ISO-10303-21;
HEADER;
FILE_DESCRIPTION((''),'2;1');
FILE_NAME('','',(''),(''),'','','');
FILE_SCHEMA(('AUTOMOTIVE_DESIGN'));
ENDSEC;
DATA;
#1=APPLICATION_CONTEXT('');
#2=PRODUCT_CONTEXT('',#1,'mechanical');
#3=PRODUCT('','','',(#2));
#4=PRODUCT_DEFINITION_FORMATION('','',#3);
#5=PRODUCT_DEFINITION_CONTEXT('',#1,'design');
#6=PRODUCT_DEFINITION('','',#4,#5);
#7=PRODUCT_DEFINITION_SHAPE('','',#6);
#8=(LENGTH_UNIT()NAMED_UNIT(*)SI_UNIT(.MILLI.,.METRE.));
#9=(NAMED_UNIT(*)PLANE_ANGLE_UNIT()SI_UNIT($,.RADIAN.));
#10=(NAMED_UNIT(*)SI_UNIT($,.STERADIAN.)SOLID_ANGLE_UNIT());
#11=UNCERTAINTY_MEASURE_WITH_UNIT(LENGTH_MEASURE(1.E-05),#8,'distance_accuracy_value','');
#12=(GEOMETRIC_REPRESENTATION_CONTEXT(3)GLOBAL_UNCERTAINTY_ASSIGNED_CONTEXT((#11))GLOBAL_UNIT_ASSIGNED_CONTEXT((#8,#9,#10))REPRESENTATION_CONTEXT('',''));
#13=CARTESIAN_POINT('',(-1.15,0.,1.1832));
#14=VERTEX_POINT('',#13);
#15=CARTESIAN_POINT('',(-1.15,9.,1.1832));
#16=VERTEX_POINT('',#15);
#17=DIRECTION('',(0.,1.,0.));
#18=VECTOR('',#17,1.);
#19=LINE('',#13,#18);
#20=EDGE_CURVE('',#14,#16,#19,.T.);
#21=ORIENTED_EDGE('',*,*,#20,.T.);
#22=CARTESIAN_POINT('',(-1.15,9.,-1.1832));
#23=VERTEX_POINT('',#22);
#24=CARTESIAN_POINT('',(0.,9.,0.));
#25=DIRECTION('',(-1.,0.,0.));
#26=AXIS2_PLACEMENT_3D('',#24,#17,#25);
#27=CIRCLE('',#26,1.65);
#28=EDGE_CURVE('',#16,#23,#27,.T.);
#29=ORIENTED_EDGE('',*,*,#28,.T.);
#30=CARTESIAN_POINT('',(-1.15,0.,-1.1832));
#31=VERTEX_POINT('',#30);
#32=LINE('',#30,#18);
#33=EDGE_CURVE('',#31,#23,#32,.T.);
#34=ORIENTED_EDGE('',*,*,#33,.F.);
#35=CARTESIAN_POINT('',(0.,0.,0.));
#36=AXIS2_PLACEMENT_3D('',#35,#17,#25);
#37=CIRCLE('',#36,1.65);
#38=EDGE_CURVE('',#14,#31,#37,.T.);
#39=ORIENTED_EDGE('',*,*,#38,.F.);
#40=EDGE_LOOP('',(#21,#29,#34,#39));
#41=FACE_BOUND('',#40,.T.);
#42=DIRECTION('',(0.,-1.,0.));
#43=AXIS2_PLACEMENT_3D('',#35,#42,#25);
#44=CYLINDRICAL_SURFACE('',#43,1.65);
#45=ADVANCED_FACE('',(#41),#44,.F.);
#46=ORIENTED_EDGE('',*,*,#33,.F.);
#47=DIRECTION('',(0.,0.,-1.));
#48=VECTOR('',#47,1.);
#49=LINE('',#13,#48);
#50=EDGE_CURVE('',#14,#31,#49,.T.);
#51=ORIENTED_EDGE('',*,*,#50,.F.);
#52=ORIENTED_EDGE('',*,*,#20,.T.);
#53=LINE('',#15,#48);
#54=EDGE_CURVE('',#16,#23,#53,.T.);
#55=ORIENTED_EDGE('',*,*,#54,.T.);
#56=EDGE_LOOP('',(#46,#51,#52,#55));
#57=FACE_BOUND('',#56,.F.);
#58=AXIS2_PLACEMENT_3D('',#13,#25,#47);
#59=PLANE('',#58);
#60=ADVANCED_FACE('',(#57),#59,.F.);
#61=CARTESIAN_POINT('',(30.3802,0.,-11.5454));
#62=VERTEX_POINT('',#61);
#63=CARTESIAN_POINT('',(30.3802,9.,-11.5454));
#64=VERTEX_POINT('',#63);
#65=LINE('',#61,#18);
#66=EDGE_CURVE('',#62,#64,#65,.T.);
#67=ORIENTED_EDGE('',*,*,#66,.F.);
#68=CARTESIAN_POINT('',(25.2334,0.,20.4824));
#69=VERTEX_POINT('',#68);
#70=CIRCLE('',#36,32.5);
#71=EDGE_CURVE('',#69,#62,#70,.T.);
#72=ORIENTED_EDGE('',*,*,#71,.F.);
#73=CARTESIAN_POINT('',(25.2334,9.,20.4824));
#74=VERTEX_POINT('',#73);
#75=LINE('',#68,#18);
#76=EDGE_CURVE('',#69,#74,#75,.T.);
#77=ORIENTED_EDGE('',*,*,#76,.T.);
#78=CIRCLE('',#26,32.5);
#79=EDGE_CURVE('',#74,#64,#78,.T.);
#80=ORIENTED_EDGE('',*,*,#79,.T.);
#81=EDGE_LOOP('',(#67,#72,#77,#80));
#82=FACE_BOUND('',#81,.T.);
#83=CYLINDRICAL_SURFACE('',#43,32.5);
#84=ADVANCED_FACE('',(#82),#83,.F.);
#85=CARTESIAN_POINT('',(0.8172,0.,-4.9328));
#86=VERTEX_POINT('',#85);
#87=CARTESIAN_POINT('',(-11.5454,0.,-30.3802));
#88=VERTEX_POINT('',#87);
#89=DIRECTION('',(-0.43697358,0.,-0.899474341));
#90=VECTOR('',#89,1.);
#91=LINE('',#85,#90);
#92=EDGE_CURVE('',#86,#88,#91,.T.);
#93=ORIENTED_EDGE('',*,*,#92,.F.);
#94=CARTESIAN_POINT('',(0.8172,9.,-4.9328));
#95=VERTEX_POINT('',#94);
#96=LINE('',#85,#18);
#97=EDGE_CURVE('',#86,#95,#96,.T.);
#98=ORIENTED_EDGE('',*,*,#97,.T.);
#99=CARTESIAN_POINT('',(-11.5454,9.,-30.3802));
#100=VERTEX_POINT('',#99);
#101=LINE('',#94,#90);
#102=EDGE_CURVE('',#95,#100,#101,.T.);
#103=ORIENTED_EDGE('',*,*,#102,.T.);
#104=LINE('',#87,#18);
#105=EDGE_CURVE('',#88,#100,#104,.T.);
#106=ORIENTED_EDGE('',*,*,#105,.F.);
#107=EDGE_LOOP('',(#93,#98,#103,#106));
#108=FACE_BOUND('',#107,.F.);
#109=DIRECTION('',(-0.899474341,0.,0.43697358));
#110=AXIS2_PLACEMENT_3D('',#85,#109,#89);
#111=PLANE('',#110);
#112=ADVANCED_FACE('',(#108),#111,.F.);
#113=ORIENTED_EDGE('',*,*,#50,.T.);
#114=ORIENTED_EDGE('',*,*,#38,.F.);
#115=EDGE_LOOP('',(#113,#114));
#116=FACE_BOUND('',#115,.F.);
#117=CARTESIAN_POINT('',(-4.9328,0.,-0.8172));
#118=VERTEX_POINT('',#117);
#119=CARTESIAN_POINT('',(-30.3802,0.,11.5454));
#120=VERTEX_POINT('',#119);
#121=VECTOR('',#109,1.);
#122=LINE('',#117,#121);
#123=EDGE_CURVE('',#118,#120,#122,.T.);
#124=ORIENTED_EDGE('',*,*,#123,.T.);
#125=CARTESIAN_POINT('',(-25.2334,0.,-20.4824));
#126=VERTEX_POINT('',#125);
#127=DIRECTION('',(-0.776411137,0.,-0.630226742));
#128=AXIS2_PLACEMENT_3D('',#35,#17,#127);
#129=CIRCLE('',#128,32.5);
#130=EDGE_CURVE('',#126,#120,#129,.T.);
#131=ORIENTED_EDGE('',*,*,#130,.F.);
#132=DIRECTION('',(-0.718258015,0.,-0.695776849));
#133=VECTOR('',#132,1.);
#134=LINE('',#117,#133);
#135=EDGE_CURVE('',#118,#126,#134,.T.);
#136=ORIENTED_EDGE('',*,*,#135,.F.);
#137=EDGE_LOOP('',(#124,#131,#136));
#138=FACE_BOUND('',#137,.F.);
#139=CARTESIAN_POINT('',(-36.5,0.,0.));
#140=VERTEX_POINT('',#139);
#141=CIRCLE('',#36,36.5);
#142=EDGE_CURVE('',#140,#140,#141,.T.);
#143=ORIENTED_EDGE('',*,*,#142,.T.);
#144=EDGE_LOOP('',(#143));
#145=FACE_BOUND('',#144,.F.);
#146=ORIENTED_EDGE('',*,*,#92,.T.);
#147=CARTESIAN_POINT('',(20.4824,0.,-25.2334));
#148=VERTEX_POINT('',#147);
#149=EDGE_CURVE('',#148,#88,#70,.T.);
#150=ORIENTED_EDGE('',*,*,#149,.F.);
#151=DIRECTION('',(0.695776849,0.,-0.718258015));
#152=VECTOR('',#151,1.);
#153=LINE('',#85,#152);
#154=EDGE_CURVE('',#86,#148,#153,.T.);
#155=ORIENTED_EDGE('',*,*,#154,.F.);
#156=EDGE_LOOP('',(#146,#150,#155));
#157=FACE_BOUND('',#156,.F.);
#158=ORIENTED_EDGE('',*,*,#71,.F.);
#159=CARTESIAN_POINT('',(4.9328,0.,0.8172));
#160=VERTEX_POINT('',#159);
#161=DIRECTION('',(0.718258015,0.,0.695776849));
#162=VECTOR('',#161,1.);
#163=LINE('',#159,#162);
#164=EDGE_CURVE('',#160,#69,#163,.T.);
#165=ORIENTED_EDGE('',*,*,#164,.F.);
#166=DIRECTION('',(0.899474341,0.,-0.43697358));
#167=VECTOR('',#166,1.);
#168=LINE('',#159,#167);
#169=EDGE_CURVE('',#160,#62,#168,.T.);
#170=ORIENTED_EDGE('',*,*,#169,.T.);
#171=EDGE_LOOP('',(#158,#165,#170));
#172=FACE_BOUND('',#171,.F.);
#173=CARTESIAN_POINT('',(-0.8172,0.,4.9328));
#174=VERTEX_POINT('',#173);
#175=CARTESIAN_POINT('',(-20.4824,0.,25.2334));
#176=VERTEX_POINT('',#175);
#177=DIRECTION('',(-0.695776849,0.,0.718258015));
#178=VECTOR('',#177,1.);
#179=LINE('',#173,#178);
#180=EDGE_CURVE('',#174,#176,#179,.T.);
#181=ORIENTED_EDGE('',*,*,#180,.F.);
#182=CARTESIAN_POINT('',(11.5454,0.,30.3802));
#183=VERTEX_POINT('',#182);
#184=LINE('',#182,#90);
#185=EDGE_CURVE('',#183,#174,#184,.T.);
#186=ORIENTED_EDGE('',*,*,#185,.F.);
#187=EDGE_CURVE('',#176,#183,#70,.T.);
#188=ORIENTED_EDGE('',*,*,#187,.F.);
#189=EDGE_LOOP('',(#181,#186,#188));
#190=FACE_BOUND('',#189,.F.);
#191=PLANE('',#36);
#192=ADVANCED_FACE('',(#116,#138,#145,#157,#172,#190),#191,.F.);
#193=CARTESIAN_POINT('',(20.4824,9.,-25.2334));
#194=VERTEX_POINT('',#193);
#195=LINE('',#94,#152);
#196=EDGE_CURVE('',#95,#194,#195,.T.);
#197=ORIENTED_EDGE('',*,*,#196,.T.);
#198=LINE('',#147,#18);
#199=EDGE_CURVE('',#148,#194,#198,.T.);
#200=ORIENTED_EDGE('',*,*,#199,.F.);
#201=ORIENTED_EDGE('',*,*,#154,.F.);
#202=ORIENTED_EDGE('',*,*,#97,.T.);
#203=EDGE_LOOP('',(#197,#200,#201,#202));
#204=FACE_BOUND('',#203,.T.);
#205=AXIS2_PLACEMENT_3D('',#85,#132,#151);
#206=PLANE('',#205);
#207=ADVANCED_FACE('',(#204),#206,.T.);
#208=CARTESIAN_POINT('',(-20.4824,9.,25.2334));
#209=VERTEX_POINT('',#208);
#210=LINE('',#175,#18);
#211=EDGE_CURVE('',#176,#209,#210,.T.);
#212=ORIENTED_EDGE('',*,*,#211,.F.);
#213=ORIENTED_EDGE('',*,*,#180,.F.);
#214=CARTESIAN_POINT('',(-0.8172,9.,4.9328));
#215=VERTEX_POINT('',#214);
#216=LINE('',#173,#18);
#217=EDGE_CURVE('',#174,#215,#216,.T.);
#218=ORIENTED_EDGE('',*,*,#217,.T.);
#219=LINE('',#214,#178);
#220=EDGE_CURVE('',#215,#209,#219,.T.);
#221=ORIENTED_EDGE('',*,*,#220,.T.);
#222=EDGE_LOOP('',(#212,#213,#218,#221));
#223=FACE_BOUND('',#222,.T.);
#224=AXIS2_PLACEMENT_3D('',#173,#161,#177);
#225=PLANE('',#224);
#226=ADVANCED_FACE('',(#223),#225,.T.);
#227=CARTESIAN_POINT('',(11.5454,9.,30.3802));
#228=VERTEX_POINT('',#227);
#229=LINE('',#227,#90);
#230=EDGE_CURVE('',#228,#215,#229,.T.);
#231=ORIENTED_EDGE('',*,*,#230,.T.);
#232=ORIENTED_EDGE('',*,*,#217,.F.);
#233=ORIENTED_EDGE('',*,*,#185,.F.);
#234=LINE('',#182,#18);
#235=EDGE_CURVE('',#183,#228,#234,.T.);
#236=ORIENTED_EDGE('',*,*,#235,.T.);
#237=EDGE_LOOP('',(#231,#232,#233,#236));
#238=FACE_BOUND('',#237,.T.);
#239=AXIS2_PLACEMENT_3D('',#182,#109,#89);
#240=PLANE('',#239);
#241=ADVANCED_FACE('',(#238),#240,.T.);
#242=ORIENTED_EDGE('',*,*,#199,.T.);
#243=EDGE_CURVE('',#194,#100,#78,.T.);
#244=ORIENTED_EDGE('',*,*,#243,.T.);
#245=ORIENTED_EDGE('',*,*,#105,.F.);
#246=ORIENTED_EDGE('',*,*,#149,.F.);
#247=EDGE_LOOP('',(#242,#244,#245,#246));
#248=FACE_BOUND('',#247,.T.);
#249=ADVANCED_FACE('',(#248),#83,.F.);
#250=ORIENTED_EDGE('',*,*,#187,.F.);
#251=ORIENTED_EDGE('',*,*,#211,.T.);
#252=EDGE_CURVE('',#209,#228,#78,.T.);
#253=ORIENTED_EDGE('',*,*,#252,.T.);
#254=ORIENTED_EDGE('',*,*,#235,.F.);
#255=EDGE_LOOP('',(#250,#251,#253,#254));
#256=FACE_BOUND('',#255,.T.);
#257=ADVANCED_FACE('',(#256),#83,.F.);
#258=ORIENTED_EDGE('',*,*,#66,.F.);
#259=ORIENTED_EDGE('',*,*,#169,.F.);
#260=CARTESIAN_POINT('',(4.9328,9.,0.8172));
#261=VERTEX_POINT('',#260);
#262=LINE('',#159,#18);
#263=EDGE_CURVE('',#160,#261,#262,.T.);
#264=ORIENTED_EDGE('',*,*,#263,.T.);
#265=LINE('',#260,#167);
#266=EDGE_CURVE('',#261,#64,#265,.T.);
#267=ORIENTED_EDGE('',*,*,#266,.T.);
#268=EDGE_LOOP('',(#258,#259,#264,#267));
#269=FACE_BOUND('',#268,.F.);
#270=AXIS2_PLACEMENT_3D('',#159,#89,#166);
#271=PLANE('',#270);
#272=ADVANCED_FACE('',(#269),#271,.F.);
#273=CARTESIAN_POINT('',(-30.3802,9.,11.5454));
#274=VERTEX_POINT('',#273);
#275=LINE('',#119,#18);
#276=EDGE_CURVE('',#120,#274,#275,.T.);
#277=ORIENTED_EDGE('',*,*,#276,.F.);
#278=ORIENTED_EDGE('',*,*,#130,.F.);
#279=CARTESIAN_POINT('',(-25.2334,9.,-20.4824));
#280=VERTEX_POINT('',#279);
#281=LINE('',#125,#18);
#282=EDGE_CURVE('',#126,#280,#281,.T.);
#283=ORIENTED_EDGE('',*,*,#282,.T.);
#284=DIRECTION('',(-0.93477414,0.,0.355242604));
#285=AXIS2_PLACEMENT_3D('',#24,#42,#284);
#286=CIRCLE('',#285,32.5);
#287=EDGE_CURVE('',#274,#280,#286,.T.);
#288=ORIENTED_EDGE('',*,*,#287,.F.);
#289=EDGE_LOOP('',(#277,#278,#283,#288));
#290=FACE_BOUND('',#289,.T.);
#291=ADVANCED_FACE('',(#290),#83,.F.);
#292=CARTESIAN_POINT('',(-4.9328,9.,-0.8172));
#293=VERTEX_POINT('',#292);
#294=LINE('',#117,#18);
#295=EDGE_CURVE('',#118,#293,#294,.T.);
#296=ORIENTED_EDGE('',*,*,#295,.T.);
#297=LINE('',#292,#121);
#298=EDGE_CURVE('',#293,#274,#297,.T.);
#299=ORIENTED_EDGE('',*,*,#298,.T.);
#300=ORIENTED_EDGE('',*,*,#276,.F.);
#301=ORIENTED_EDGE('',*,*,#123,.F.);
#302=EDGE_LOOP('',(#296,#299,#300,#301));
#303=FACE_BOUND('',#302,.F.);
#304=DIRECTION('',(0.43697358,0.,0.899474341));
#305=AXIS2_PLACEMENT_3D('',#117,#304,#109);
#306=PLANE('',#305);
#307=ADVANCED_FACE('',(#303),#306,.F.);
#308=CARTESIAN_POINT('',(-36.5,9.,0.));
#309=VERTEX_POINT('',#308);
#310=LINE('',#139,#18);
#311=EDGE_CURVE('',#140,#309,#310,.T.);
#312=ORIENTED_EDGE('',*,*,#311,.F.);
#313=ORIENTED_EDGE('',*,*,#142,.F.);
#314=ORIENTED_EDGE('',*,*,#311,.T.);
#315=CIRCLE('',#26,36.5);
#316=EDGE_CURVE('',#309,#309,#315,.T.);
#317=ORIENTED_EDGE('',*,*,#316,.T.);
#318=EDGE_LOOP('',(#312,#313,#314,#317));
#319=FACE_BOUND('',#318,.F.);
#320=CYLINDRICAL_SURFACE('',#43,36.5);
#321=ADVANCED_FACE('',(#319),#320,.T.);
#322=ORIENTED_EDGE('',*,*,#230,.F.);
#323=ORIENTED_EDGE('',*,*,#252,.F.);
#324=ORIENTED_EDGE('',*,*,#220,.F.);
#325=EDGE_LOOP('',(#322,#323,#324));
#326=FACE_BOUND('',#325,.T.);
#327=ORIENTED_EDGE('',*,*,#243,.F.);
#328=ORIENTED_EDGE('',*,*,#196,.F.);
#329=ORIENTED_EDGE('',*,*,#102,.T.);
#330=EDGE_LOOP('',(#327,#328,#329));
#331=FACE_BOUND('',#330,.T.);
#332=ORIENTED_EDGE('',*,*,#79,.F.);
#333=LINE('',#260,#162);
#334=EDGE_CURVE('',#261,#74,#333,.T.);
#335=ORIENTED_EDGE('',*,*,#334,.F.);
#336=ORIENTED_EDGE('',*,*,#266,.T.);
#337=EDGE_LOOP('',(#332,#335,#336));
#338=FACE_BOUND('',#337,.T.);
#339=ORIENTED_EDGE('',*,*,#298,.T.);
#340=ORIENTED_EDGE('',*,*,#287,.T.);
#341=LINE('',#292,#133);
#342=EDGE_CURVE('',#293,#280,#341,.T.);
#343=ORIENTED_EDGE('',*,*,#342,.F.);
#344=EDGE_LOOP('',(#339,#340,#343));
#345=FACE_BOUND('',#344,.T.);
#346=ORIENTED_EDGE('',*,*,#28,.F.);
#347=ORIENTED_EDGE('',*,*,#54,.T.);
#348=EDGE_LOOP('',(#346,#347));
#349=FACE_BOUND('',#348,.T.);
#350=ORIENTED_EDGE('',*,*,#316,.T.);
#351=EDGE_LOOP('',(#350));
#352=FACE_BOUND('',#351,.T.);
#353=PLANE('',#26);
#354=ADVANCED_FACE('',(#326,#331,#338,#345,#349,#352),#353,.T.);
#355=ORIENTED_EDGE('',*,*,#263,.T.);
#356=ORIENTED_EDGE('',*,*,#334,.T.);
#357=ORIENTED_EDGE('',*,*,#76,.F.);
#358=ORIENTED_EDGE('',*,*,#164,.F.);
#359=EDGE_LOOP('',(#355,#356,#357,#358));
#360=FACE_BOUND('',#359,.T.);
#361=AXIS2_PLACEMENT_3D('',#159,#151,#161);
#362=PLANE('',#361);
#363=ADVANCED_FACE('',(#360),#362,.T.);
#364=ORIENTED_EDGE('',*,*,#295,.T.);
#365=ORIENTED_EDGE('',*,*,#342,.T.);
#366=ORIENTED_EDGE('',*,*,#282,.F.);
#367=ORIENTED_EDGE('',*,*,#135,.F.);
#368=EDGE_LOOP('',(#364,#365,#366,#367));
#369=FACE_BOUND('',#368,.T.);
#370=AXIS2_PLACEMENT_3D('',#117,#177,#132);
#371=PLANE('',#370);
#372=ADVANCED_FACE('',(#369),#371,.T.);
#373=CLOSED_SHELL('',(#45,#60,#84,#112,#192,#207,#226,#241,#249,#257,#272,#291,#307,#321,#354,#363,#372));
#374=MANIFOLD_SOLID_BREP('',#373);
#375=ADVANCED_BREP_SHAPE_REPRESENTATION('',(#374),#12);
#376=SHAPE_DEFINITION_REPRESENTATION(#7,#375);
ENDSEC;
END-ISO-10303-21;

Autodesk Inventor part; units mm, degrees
ref_plane "YZ Plane" through (0, 0, 0) normal (1, 0, 0) x (0, 1, 0)
ref_plane "XZ Plane" through (0, 0, 0) normal (0, 1, 0) x (-1, 0, 0)
ref_plane "XY Plane" through (0, 0, 0) normal (0, 0, 1) x (1, 0, 0)
sketch "Szkic1" plane through (0, 0, 0) normal (0, 1, 0) x (-1, 0, 0)
  circle A0 centre (0, 0) radius 36.5
  circle A1 centre (0, 0) radius 32.5
  circle A2 centre (0, 0) radius 5
  circle A3 centre (0, 0) radius 1.65
  line L0 (1.15, 1.1832) -> (1.15, -1.1832)
  line L1 (-4.9328, 0.8172) -> (-25.2334, 20.4824)
  line L2 (-11.5454, 30.3802) -> (0.8172, 4.9328)
  line L3 (-4.9328, 0.8172) -> (-30.3802, -11.5454)
  line L4 (4.9328, -0.8172) -> (25.2334, -20.4824)
  line L5 (0.8172, 4.9328) -> (20.4824, 25.2334)
  line L6 (4.9328, -0.8172) -> (30.3802, 11.5454)
  line L7 (-0.8172, -4.9328) -> (-20.4824, -25.2334)
  line L8 (-0.8172, -4.9328) -> (11.5454, -30.3802)
  dimension "d1" = 65
  dimension "d0" = 73
  dimension "d2" = 10
  dimension "d3" = 3.3
  dimension "d4" = 2.8
  dimension "d6" = 20
  dimension "d7" = 20
  dimension "d14" = 20
  dimension "d15" = 20
  dimension "d16" = 5.75
  dimension "d17" = 5.75
  dimension "d18" = 5.75
  dimension "d19" = 5.75
  dimension "d20" = 70
  dimension "d21" = 70
  dimension "d22" = 70
extrude "Wyciągnięcie proste1" add sketch "Szkic1" along normal blind 9 contours A0 | L6 A2 L5 A1 | A1 L8 A2 L4 | A2 | L2 A2 L1 A1 | L7 A1 L3 A2 | A3 L0 picked at (1.3167, 0)
properties part number "kolko1"
